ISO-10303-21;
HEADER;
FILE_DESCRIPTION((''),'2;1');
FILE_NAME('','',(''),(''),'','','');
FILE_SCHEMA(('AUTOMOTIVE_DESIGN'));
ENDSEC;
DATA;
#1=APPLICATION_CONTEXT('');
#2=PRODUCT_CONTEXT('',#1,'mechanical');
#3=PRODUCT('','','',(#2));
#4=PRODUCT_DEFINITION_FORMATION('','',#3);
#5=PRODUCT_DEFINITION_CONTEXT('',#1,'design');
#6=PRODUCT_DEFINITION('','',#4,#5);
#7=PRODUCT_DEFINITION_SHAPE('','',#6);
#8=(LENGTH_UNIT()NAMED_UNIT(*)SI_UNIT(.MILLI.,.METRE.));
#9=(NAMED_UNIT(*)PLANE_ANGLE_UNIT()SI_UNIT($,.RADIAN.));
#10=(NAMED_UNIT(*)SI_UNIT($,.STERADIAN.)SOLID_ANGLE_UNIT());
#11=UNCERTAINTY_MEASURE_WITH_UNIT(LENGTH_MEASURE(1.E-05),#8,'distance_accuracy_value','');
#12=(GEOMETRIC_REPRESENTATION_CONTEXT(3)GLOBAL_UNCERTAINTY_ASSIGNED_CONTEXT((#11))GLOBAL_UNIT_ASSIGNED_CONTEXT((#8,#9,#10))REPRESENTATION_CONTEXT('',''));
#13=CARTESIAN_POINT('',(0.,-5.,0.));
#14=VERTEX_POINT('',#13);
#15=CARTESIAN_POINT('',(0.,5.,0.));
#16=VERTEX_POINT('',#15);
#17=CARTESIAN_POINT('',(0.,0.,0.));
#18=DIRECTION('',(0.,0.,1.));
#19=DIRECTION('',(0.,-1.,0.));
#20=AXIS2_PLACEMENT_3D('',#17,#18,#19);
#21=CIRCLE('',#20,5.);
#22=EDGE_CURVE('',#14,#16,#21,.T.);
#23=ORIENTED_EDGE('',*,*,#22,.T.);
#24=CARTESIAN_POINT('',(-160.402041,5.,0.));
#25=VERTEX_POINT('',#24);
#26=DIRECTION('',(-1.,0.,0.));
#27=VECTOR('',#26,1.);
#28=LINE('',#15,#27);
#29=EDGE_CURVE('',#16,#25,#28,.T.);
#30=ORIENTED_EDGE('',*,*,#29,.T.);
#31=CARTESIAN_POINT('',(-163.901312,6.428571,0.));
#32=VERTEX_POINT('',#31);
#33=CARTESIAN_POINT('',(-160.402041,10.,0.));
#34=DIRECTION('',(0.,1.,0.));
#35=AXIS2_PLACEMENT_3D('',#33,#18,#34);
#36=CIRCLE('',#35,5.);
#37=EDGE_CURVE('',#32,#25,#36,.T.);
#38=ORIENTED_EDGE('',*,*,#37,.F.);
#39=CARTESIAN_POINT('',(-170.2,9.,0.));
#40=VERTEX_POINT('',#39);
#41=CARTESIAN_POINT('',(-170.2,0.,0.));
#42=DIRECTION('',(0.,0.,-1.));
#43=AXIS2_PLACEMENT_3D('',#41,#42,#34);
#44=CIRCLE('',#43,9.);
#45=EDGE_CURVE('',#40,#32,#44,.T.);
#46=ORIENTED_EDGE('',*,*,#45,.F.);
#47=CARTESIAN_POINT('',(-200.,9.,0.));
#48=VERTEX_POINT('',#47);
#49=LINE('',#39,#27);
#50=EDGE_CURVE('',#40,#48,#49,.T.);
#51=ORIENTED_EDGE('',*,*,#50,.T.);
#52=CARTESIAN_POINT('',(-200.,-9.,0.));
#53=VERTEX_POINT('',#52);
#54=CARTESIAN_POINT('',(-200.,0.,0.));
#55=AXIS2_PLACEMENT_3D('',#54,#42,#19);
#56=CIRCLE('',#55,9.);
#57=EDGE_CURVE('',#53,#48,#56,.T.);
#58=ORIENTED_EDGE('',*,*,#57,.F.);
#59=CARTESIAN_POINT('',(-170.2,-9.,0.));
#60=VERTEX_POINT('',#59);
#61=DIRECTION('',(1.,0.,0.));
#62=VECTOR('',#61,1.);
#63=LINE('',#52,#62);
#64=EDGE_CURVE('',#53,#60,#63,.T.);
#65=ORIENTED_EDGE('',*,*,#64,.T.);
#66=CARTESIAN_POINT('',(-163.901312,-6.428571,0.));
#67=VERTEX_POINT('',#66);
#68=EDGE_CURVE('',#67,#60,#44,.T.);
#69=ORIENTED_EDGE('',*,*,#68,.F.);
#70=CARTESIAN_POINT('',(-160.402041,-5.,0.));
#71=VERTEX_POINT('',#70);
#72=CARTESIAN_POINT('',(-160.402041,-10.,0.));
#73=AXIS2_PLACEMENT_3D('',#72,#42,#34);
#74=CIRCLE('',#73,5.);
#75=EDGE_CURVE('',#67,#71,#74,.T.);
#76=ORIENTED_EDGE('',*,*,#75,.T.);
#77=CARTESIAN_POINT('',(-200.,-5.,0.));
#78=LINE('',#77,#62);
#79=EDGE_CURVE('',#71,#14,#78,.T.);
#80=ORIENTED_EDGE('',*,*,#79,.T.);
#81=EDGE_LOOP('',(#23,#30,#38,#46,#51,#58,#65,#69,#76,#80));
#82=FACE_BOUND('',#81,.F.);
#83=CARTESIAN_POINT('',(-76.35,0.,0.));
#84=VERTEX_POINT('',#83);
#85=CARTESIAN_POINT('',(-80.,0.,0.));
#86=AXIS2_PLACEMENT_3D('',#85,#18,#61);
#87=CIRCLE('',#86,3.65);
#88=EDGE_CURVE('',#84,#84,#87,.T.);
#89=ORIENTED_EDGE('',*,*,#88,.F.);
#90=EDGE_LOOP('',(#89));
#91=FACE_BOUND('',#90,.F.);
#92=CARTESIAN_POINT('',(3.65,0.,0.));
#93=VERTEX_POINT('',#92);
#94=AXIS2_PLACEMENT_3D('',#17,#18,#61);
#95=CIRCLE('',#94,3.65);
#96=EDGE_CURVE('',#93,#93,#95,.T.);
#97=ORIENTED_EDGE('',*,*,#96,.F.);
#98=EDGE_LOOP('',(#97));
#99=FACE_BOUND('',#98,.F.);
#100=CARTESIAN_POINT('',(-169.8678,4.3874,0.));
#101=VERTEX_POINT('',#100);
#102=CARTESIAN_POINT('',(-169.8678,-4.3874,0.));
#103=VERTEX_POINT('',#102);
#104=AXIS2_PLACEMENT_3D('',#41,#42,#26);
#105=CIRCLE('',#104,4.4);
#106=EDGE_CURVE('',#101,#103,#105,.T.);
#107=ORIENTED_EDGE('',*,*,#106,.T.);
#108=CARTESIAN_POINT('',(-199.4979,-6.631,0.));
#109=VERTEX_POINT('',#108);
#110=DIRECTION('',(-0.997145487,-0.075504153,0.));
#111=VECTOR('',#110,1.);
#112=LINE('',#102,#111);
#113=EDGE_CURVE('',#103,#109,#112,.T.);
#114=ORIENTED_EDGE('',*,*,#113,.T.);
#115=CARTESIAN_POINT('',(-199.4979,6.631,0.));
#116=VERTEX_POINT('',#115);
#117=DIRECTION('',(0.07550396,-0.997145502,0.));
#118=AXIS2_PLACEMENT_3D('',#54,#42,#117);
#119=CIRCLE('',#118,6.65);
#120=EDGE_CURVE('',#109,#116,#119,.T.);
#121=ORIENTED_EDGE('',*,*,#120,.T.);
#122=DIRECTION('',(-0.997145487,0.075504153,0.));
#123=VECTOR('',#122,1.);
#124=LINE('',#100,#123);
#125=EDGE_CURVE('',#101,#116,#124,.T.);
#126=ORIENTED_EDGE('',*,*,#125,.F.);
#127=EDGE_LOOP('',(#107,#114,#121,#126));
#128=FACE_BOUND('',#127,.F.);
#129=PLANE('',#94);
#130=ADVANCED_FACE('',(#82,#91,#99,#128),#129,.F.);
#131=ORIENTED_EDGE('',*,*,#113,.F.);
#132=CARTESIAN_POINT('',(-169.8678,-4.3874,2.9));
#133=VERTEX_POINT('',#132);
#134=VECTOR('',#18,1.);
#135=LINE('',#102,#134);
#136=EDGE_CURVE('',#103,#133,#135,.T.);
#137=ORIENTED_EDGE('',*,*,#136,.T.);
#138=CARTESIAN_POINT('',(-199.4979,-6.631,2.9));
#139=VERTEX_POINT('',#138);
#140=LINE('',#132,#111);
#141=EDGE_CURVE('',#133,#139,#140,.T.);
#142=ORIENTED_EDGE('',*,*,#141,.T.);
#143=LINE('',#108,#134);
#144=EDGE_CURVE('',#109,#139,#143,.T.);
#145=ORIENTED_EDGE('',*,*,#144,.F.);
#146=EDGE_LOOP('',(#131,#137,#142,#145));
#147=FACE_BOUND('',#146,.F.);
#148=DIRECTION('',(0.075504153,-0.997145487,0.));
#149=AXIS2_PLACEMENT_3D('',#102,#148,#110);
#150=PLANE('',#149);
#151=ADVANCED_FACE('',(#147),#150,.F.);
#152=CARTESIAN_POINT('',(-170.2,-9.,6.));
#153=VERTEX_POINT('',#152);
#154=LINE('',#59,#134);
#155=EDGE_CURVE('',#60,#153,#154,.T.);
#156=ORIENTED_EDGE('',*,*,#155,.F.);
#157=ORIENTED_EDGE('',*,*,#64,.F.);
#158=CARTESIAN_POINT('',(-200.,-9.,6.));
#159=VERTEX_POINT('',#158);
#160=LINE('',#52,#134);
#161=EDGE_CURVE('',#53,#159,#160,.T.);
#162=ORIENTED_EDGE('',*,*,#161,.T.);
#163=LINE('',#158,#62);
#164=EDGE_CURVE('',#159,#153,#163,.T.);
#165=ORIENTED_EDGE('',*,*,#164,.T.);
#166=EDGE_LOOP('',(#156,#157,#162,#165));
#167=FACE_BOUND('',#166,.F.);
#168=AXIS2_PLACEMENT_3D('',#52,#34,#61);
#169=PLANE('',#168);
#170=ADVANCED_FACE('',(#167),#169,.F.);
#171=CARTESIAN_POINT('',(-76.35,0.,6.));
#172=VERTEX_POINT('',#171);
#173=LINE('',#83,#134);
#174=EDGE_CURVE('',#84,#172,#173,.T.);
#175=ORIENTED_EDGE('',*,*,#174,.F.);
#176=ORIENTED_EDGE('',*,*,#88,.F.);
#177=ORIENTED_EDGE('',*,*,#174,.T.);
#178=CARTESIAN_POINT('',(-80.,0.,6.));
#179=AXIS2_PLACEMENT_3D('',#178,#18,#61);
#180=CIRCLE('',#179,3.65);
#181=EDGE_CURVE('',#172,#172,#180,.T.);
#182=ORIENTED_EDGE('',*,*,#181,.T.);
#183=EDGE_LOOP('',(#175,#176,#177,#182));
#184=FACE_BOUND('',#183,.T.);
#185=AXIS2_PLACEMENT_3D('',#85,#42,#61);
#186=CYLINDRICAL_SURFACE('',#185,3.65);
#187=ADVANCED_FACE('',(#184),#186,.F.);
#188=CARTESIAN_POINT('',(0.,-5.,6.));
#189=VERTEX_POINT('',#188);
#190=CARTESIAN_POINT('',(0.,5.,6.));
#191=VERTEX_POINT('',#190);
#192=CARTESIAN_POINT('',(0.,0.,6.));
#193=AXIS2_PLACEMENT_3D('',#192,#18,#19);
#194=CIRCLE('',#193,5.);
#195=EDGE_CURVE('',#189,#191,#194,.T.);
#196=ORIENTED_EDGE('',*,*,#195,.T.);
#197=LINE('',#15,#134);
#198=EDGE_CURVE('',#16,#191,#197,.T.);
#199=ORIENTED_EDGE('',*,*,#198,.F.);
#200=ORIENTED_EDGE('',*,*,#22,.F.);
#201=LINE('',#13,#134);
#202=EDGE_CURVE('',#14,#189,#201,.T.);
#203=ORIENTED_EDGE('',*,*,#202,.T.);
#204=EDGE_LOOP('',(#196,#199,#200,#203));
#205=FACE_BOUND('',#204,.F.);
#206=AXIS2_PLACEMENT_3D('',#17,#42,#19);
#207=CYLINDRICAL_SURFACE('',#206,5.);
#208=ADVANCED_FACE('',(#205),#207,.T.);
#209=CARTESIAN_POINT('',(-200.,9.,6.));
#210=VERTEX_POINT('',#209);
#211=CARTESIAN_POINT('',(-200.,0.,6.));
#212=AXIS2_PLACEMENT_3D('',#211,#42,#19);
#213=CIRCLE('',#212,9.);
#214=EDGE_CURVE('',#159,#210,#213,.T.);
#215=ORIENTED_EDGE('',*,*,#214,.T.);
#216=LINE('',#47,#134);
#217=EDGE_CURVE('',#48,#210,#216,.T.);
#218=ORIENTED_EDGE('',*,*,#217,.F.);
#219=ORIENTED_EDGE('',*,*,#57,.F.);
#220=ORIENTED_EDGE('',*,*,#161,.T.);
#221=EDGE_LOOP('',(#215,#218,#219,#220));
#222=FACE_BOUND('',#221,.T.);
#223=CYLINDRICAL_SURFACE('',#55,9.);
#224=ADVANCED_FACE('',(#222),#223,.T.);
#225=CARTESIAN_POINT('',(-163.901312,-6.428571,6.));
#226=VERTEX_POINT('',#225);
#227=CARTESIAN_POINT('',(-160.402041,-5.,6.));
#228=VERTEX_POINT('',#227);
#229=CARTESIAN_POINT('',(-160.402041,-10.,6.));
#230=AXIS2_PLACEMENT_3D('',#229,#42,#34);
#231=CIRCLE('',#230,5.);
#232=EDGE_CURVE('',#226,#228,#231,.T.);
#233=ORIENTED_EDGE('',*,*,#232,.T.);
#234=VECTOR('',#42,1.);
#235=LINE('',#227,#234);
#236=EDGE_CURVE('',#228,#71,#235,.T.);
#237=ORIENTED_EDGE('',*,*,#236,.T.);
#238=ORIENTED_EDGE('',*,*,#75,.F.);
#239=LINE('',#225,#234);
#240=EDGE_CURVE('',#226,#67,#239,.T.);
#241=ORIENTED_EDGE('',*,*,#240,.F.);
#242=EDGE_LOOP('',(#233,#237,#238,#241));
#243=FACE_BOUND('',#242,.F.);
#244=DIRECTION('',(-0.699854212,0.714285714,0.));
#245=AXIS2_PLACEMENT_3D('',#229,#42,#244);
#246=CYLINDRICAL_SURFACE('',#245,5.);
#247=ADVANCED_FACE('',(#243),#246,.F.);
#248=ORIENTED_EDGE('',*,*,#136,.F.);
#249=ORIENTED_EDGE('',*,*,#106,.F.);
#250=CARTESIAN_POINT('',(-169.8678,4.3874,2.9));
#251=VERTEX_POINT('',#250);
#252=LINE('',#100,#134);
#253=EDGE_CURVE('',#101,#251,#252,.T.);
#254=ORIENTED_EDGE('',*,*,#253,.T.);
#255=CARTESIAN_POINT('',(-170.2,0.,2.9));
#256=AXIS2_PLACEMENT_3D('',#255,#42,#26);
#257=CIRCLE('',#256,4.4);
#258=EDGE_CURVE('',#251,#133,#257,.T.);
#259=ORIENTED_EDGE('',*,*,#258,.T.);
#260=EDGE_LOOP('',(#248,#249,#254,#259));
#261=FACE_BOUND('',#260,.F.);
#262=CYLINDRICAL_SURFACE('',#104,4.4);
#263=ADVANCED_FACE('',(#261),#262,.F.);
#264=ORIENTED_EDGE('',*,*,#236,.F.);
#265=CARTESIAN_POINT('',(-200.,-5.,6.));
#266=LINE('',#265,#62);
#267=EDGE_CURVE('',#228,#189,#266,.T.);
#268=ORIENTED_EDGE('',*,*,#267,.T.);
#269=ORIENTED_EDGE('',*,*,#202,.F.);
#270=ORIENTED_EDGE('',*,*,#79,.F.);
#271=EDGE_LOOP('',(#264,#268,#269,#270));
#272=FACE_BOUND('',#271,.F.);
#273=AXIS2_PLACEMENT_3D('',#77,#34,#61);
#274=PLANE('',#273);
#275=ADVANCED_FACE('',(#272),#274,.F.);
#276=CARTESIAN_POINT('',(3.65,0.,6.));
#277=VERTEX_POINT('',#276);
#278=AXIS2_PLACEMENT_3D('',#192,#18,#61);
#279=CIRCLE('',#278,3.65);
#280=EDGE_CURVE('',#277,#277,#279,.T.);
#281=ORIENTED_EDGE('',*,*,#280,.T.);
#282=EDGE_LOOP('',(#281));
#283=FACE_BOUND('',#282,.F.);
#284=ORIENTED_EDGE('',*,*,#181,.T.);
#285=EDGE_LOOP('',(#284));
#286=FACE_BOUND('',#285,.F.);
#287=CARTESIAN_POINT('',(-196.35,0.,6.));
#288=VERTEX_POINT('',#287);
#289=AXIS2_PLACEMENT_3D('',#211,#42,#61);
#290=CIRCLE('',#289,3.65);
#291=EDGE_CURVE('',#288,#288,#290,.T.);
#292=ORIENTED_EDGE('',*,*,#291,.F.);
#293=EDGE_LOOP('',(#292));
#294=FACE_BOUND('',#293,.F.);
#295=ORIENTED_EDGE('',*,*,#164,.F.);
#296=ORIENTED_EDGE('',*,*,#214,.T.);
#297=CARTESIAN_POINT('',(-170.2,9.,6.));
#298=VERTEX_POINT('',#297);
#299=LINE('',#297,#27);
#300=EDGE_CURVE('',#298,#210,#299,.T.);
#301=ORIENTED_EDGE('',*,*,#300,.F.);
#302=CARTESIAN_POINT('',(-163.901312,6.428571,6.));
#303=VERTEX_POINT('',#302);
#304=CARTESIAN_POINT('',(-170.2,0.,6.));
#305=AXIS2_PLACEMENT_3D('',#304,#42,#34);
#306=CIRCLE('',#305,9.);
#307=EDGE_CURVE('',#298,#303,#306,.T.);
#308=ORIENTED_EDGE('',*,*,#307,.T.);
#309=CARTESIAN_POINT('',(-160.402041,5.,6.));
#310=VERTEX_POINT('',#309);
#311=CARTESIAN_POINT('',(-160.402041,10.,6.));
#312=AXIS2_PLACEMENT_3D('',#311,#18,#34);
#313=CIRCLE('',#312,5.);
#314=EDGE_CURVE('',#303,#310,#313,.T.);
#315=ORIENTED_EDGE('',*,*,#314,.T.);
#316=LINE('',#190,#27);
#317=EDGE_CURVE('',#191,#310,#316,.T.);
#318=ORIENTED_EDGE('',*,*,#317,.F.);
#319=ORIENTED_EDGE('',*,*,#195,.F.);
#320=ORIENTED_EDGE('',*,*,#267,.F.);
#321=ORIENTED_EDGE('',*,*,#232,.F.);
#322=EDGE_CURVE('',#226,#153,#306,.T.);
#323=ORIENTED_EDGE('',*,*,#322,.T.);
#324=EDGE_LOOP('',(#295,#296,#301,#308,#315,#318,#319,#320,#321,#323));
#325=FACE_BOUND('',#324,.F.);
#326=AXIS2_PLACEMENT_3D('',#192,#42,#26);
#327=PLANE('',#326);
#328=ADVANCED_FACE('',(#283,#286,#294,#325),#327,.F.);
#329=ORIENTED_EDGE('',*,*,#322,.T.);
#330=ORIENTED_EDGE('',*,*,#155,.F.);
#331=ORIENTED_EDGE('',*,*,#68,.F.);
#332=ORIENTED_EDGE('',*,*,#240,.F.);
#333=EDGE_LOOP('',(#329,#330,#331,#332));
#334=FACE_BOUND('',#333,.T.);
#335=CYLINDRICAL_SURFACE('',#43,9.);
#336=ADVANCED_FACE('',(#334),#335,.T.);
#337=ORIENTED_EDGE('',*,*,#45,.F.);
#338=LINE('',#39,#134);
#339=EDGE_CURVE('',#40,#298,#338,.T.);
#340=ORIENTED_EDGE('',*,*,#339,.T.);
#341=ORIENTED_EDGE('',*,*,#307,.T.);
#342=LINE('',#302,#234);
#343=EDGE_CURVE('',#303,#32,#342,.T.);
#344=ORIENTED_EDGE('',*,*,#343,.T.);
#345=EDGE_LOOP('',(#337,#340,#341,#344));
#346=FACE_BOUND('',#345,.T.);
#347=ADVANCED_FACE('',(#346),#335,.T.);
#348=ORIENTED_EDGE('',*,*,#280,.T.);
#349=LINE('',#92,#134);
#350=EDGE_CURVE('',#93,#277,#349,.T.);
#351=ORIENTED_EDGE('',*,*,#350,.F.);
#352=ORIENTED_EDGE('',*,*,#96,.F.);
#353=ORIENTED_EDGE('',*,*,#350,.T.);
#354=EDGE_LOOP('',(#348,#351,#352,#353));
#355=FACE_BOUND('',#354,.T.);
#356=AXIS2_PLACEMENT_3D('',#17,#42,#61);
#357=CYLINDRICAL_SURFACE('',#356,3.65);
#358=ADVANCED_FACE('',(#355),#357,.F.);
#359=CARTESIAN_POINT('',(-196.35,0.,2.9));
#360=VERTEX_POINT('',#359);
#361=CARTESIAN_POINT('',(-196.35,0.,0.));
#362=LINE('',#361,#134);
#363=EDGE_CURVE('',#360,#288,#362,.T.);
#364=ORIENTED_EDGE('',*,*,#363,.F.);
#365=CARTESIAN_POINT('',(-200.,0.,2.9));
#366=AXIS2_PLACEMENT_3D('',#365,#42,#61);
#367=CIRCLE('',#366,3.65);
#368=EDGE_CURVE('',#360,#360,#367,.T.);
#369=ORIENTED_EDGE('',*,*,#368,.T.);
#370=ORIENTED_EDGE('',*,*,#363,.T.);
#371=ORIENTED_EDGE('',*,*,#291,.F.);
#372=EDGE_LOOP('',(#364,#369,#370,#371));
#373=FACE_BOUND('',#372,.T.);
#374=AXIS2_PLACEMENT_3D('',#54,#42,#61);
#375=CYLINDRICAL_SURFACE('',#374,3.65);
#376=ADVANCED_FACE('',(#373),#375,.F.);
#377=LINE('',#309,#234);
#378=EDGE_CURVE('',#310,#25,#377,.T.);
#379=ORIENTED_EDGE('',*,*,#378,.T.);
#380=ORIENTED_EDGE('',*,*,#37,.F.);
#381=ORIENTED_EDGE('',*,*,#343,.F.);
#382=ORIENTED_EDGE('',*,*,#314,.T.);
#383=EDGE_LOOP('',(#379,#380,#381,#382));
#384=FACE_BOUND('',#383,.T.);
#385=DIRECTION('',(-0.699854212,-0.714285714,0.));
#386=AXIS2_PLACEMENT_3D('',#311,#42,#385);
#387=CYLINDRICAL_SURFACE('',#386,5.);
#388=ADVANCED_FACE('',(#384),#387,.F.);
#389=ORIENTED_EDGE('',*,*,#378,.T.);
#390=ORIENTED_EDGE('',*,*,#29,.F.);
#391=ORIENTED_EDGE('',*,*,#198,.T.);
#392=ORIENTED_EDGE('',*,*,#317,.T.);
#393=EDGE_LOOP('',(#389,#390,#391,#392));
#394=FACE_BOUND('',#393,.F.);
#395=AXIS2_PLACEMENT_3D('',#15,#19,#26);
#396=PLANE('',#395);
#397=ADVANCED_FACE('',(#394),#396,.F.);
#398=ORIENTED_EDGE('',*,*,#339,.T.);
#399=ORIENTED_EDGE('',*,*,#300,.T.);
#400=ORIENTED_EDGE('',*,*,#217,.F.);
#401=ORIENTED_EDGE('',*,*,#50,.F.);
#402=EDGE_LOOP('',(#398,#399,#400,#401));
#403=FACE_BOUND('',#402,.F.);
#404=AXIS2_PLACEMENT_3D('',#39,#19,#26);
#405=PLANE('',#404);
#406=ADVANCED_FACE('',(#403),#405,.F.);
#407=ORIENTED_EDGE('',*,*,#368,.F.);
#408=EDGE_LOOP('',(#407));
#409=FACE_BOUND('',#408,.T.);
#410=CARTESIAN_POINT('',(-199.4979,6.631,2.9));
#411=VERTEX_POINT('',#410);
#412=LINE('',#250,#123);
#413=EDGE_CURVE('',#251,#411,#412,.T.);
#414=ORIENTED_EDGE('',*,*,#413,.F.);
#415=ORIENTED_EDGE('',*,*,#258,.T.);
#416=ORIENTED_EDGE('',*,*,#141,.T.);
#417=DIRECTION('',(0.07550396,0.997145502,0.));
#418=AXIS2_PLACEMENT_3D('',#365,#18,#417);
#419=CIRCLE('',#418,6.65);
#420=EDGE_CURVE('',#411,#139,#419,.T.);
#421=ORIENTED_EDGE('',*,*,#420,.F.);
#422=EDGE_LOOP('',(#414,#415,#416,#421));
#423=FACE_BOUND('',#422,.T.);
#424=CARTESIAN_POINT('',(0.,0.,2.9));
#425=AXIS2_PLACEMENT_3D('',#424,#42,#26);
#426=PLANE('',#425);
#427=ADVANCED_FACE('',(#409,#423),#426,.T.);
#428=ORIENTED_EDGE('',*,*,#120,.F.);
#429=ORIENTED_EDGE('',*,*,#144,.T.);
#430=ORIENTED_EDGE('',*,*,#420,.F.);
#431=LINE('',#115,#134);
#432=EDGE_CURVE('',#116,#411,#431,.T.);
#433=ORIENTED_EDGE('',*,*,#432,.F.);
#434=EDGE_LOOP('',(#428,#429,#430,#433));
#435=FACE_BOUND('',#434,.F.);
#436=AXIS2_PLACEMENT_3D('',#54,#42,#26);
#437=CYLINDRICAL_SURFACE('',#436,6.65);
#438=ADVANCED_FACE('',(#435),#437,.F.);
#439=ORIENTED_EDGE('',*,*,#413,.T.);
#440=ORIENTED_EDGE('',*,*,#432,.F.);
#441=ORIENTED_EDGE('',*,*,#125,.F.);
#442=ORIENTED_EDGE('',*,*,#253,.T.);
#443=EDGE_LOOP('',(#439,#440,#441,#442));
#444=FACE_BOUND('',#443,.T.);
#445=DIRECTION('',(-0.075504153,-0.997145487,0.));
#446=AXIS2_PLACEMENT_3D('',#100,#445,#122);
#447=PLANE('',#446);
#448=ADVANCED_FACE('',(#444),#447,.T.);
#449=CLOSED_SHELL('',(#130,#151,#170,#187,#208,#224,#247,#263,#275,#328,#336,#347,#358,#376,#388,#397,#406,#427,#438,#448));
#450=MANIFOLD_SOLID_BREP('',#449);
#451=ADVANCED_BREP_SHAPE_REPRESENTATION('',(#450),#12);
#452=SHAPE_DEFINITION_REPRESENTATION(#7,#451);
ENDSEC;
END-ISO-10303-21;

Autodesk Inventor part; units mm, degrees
ref_plane "YZ Plane" through (0, 0, 0) normal (1, 0, 0) x (0, 1, 0)
ref_plane "XZ Plane" through (0, 0, 0) normal (0, 1, 0) x (-1, 0, 0)
ref_plane "XY Plane" through (0, 0, 0) normal (0, 0, 1) x (1, 0, 0)
sketch "草圖1" plane through (0, 0, 0) normal (0, 0, 1) x (1, 0, 0)
  line L0 (-200, 0) -> (0, 0) construction
  line L1 (-200, -5) -> (0, -5)
  line L2 (0, 5) -> (-200, 5)
  arc A0 (-200, 5) -> (-200, -5) centre (-200, 0) ccw
  arc A1 (0, -5) -> (0, 5) centre (0, 0) ccw
  circle A2 centre (0, 0) radius 3.65
  circle A3 centre (-80, 0) radius 3.65
  circle A4 centre (-200, 0) radius 3.65
  point P0 (-100, 0)
  dimension "d0" = 200
  dimension "d1" = 10
  dimension "d3" = 7.3
  dimension "d27" = 7.3
  dimension "d47" = 7.3
extrude "擠出1" add sketch "草圖1" along normal blind 6 contours A0 L2 A1 L1 | A4
sketch "草圖4" plane through (0, 0, 0) normal (0, 0, -1) x (-1, 0, 0)
  line L0 (200, 0) -> (170.2, 0) construction
  line L1 (200, -9) -> (170.2, -9)
  line L2 (170.2, 9) -> (200, 9)
  arc A0 (200, -9) -> (200, 9) centre (200, 0) ccw
  arc A1 (170.2, 9) -> (170.2, -9) centre (170.2, 0) ccw
  arc A2 (200, -5) -> (200, 5) centre (200, 0) ccw projected
  circle A3 centre (170.2, 0) radius 0.6
  circle A4 centre (170.2, 0) radius 4.4
  circle A5 centre (200, 0) radius 6.65
  line L3 (169.8678, 4.3874) -> (199.4979, 6.631)
  line L4 (169.8678, -4.3874) -> (199.4979, -6.631)
  point P0 (0, 0)
  point P1 (185.1, 0)
  dimension "d31" = 9
  dimension "d36" = 1.2
  dimension "d37" = 29.8
  dimension "d42" = 8.8
  dimension "d44" = 13.3
extrude "擠出5" add sketch "草圖4" against normal blind 6 contours L1 A1 L2 A0 | A3 | A4 | A4 L3 A5 L4 | A5
extrude "擠出6" cut sketch "草圖4" against normal blind 2.9 contours A3 | A4 | A4 L3 A5 L4 | A5
extrude "擠出7" cut sketch "草圖1" along normal through all contours A4
fillet "圓角1" radius 5 2 edges at (-162.7167, 5, 3) (-162.7167, -5, 3)
properties part number "200_forservo"
